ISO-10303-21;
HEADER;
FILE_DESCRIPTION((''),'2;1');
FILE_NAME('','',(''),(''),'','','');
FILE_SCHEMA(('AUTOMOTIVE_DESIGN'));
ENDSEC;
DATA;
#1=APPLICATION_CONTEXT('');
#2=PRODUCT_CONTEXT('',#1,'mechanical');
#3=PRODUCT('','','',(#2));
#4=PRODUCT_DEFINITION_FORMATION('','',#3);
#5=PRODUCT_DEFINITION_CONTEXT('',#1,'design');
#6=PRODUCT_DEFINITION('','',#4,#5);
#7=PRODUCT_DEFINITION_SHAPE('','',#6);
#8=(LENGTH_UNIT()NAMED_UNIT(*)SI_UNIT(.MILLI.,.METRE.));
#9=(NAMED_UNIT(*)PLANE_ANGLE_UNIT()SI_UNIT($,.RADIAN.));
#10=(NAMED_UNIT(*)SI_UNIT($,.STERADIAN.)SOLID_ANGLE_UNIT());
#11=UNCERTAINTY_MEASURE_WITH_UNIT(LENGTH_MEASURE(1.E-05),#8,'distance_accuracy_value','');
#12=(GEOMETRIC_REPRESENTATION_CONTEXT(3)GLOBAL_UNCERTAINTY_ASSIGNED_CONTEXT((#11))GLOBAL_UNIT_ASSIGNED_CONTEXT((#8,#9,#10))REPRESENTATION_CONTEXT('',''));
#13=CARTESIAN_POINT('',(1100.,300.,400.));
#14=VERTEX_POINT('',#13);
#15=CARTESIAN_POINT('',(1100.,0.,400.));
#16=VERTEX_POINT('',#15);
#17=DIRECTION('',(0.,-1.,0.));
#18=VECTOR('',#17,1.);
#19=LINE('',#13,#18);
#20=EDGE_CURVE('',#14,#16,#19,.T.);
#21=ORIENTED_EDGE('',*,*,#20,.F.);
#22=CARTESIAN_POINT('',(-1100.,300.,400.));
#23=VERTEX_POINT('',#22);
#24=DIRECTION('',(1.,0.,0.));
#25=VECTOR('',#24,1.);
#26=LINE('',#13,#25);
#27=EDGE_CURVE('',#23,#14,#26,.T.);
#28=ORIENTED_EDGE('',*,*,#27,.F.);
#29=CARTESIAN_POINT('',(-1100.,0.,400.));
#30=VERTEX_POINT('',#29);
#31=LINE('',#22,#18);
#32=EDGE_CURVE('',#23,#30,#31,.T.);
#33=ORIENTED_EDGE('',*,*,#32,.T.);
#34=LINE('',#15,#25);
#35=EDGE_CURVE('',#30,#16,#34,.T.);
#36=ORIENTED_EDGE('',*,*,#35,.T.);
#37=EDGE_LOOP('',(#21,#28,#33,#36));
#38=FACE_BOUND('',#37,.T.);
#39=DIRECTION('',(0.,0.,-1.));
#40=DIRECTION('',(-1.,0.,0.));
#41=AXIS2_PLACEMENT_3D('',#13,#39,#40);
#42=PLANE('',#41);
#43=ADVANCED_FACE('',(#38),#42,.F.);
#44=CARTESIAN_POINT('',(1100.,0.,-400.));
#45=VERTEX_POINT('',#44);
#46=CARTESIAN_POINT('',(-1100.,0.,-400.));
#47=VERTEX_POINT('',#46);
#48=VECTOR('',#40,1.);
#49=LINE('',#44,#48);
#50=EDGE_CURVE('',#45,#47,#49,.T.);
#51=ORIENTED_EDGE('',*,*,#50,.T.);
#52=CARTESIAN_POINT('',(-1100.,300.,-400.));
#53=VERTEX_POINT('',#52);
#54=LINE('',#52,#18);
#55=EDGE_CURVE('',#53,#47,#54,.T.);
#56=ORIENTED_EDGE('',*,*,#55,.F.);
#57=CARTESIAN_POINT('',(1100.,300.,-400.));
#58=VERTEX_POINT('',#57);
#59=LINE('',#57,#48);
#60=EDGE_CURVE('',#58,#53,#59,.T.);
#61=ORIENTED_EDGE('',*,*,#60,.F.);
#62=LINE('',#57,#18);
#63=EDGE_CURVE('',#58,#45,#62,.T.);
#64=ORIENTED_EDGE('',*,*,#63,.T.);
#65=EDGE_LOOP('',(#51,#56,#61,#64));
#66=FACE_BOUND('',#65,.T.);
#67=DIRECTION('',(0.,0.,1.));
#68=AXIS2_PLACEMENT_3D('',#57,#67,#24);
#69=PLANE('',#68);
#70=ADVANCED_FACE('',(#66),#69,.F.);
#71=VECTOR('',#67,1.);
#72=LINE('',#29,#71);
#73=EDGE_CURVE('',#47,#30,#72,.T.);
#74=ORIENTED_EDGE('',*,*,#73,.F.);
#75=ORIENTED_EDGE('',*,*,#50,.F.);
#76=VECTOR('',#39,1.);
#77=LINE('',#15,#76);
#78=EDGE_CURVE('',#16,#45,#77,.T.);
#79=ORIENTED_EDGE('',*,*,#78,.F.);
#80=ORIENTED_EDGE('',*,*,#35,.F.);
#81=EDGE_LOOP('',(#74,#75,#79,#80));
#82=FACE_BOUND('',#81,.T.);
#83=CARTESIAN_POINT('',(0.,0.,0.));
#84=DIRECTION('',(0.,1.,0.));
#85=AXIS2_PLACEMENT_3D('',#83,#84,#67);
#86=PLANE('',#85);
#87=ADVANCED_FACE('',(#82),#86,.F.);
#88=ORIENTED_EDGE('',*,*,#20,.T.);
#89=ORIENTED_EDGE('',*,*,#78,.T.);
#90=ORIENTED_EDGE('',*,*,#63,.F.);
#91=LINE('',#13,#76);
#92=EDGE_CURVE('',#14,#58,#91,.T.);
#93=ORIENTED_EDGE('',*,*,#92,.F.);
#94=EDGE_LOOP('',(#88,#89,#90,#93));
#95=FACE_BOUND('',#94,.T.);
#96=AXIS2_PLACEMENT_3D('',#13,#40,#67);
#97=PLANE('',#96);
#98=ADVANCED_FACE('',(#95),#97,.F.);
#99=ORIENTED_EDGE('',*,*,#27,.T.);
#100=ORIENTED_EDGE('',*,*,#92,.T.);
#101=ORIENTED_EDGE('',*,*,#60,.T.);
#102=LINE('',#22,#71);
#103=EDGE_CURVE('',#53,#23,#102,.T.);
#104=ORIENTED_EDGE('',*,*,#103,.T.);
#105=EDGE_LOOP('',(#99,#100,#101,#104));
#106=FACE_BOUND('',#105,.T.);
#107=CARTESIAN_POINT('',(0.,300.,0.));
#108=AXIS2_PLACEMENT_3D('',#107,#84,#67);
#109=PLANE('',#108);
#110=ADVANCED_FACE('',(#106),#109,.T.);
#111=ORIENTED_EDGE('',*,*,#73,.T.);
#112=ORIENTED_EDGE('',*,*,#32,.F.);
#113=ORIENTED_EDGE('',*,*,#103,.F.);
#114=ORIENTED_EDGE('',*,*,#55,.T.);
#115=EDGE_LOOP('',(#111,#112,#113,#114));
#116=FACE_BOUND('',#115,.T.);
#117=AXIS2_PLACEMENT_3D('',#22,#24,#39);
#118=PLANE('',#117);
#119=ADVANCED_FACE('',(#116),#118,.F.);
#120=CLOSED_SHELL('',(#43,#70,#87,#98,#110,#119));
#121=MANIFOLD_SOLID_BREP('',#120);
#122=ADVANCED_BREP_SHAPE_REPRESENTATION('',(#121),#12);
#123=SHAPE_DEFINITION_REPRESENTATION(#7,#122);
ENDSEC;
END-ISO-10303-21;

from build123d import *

# Parameters (mm, degrees)
SKETCH_1_W      = 2200
SKETCH_1_H      = 800
EXTRUDE_1_DEPTH = 300


with BuildPart() as part:
    # 草图1 → 凸台-拉伸1 (new body)
    with BuildSketch(Plane(origin=(0, 0, 0), x_dir=(1, 0, 0), z_dir=(0, 1, 0))):
        Rectangle(SKETCH_1_W, SKETCH_1_H)
    extrude(amount=EXTRUDE_1_DEPTH)


solid = part.part
